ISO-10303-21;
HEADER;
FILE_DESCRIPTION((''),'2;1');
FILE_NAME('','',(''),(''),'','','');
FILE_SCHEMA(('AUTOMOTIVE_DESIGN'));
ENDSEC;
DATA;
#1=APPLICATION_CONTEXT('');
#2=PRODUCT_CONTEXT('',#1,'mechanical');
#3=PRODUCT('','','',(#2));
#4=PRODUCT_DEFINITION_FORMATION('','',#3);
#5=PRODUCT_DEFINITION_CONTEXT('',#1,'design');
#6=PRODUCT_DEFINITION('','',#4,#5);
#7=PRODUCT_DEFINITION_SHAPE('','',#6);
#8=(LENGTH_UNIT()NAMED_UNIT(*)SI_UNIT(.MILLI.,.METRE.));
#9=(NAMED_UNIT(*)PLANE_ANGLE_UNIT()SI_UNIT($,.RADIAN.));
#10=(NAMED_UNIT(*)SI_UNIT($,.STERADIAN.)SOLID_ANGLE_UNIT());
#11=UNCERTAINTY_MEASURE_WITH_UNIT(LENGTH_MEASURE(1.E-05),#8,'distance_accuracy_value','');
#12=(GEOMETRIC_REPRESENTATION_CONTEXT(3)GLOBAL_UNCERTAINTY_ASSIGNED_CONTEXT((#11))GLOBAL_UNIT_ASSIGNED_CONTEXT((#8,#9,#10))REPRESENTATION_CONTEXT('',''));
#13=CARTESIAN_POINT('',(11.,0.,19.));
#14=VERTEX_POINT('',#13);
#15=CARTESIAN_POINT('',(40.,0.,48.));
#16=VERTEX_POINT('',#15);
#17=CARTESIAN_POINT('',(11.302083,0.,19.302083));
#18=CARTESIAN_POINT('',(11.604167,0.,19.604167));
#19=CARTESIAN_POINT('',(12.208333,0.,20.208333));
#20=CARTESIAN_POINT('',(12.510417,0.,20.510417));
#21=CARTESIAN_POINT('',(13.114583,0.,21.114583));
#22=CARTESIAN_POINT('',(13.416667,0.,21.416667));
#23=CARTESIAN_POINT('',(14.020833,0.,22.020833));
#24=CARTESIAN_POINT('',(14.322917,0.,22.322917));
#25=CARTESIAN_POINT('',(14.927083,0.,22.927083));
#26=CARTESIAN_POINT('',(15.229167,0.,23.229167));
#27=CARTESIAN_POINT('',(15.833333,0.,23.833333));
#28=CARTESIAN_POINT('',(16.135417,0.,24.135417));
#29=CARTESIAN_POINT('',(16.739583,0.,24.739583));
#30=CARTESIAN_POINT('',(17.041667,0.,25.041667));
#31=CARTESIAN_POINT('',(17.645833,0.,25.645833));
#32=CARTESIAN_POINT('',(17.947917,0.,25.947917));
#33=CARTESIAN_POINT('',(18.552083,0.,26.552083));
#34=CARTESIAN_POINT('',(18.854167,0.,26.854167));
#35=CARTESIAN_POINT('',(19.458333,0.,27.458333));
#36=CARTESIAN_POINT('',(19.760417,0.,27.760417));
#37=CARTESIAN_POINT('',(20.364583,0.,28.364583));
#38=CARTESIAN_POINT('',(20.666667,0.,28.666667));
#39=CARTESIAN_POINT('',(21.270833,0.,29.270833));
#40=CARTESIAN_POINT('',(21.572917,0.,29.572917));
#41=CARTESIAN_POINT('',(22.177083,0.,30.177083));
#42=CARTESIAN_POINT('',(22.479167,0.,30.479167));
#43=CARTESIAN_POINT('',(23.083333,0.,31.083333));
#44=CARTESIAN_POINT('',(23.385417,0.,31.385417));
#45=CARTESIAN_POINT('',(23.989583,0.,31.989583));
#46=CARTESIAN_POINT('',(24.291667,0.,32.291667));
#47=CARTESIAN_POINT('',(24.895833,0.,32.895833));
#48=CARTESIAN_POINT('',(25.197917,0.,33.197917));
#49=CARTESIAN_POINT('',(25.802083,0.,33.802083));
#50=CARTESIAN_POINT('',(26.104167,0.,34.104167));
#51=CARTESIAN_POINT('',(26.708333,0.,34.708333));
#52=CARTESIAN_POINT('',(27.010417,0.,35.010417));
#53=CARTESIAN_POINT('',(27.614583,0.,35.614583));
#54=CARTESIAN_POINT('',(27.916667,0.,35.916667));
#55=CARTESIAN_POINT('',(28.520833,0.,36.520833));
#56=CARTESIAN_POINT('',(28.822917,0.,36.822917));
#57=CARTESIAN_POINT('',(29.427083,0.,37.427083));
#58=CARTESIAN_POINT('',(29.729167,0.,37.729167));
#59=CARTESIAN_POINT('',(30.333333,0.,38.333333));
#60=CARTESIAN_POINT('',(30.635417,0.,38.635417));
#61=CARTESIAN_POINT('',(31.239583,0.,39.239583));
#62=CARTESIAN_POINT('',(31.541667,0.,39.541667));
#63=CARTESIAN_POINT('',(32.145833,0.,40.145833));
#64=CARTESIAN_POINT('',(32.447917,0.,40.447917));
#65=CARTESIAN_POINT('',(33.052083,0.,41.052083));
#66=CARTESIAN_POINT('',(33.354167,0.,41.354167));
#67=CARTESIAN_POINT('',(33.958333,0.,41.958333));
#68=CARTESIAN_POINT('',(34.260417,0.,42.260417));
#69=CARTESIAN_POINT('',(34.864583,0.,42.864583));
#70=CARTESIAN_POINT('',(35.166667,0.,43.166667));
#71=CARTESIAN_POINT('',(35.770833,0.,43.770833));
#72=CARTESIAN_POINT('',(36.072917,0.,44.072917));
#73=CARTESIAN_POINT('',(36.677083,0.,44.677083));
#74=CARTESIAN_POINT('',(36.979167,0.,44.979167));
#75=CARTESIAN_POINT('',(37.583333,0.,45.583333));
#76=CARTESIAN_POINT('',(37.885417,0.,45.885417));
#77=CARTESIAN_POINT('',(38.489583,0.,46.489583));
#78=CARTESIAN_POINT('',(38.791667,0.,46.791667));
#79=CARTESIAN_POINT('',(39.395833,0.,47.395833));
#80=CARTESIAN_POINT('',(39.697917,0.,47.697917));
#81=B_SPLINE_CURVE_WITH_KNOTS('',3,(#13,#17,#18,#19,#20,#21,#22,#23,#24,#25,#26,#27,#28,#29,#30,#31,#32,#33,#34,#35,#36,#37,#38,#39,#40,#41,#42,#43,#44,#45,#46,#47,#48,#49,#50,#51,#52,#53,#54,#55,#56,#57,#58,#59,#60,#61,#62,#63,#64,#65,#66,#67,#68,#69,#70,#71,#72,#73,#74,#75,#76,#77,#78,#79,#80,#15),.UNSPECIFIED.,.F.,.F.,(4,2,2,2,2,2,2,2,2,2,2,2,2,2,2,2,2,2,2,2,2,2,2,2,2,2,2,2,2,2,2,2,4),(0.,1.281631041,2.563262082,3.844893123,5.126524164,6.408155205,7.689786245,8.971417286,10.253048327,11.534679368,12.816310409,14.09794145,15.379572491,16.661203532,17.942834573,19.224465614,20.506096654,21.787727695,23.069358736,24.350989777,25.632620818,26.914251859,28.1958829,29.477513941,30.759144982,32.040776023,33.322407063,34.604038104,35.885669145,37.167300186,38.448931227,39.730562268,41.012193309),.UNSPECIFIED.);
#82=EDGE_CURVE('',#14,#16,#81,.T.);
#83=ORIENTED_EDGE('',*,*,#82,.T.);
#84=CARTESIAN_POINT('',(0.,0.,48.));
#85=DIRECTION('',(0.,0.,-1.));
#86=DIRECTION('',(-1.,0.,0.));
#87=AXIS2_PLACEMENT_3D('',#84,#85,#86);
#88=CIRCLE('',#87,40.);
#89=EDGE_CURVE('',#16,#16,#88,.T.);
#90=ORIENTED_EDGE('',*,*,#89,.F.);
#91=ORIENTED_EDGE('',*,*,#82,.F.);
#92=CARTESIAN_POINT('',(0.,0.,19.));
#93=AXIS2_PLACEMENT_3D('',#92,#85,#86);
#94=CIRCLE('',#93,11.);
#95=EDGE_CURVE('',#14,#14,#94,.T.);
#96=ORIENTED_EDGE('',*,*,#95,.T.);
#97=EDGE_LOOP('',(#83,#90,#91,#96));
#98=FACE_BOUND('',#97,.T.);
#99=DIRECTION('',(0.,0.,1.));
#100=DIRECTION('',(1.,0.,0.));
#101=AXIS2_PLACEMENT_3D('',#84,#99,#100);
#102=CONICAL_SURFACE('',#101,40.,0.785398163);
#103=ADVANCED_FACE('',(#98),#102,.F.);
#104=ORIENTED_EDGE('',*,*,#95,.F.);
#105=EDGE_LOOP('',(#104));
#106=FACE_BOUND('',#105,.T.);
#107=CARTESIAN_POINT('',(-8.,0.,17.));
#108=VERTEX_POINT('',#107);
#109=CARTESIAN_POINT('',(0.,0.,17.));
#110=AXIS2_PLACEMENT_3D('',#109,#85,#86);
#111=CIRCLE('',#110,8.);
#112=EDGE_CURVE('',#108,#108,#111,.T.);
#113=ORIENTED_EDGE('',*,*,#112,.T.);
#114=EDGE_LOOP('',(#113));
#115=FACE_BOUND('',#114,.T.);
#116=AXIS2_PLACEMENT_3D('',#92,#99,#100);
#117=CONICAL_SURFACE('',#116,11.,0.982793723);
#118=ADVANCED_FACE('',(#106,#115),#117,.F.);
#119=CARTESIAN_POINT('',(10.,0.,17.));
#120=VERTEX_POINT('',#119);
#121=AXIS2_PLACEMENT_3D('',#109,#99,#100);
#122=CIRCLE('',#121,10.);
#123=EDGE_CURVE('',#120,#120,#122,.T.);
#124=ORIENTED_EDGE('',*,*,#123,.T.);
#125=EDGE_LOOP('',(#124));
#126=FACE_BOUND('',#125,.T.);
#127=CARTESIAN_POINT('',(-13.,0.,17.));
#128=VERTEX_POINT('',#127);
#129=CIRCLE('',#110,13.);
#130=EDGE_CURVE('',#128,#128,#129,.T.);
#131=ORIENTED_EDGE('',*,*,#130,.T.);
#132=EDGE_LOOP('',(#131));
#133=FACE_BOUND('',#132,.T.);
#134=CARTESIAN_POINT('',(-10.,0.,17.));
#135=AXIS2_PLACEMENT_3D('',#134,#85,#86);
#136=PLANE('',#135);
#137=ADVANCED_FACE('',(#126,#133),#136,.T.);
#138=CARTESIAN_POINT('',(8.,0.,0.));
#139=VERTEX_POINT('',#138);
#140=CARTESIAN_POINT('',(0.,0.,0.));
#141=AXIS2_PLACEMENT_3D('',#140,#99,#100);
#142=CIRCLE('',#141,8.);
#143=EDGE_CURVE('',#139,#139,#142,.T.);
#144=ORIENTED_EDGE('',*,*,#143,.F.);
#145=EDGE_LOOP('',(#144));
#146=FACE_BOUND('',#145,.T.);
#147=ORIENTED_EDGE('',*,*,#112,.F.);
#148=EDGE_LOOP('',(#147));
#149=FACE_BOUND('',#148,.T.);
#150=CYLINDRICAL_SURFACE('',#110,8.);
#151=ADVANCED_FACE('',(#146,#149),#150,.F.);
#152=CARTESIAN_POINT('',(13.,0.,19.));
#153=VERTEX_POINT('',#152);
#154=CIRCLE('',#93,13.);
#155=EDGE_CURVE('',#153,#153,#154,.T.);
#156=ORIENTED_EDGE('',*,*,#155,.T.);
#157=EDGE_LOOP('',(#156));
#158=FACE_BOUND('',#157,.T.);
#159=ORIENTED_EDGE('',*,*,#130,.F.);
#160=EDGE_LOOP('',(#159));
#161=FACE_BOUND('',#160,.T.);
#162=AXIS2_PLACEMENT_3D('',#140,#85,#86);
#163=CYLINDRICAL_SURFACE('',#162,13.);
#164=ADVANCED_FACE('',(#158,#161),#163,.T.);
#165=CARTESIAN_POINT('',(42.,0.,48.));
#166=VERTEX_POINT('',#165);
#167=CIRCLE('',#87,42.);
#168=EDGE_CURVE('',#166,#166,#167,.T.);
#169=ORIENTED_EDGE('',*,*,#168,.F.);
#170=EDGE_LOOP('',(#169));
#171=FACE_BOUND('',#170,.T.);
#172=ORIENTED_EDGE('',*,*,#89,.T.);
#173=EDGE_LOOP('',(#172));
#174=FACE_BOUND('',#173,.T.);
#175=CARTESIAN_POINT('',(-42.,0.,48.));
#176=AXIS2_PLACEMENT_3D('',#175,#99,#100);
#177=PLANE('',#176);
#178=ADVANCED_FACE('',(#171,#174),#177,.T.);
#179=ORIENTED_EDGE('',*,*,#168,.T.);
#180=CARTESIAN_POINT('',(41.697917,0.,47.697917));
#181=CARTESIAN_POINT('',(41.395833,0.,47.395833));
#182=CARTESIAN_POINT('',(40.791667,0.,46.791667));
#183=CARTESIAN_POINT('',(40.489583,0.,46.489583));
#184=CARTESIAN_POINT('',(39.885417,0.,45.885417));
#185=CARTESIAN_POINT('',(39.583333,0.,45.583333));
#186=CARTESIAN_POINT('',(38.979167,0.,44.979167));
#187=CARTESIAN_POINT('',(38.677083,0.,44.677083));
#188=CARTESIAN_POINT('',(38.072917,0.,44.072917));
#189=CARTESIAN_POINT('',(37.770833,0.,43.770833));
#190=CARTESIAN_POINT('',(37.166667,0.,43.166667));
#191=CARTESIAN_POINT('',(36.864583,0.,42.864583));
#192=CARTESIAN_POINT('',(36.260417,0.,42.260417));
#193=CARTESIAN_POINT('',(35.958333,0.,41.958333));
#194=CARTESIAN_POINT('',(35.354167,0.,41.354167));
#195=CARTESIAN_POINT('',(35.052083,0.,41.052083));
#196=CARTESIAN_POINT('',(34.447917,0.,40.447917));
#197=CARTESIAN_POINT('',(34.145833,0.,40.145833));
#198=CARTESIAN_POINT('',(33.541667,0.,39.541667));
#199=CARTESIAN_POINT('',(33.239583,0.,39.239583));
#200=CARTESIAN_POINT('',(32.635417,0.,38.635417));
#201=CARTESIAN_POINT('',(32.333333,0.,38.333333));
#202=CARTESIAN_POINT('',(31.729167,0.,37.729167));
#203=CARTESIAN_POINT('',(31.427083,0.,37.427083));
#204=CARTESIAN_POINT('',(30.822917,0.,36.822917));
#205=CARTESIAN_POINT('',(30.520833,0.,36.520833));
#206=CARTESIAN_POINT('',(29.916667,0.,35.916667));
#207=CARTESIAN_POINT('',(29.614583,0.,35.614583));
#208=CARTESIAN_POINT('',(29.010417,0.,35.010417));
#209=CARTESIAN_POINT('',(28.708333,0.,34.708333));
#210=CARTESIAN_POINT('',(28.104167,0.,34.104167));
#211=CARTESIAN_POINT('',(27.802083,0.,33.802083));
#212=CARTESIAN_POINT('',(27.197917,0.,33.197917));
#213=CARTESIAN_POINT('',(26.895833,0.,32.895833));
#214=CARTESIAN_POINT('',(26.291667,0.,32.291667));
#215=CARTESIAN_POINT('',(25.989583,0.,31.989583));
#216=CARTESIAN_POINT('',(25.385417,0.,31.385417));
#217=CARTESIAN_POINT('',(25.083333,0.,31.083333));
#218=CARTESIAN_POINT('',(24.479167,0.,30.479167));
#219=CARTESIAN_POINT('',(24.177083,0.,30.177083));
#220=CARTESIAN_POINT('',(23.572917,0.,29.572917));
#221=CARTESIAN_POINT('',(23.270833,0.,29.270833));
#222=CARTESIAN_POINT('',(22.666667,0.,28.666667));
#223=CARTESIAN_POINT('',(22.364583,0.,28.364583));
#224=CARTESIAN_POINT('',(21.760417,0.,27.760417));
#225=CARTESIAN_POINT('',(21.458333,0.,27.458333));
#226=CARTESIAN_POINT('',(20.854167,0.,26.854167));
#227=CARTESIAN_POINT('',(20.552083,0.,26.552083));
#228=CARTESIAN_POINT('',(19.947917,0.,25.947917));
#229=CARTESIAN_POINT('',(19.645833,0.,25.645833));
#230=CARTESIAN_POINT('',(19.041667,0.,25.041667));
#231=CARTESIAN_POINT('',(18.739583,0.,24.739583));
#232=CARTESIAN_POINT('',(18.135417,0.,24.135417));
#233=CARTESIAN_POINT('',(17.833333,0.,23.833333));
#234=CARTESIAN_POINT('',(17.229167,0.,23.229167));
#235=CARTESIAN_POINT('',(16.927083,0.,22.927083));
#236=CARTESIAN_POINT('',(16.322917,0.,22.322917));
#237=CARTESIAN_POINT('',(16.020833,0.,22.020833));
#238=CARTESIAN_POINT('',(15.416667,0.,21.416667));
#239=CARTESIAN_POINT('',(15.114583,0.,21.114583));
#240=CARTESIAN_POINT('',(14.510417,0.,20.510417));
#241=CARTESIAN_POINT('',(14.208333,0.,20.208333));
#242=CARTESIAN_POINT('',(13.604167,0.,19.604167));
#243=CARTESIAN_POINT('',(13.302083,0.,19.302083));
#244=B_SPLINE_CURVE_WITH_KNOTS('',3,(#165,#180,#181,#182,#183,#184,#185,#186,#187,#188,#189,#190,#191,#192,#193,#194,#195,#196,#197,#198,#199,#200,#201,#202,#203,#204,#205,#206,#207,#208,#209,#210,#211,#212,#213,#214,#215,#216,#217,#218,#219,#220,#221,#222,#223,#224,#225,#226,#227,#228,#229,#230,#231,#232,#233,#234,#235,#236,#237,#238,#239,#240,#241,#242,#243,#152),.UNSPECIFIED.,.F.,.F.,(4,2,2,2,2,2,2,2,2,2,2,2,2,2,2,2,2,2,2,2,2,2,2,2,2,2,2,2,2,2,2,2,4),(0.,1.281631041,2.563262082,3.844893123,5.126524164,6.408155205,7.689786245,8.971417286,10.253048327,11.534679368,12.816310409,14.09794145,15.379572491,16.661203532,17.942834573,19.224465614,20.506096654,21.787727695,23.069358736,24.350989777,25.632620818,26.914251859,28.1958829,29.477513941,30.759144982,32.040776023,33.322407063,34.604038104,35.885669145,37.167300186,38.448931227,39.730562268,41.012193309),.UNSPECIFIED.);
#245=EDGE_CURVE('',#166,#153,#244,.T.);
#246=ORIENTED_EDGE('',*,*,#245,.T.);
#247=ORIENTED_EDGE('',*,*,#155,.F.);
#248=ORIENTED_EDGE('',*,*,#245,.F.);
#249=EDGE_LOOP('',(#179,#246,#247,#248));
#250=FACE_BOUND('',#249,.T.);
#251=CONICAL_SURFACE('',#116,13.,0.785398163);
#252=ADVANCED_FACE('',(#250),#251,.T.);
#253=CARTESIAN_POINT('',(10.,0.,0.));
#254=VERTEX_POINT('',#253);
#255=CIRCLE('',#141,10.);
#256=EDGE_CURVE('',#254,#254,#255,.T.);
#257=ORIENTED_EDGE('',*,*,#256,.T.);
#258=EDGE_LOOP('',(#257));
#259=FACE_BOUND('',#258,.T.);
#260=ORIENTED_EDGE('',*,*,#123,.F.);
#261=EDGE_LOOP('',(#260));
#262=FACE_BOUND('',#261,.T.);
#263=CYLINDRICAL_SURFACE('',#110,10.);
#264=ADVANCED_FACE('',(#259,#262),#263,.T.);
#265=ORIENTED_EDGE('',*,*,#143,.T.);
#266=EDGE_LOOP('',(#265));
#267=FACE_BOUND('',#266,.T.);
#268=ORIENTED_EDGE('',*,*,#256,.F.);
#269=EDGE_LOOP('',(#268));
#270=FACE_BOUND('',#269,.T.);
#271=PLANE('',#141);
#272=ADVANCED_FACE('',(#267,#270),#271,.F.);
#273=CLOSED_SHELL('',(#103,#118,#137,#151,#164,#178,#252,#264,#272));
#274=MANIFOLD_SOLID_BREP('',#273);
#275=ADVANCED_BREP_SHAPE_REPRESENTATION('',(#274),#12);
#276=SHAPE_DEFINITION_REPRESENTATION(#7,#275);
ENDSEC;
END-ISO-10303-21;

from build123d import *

# Parameters (mm, degrees)
SKETCH1_R           = 10
SKETCH1_R_2         = 8
BOSS_EXTRUDE1_DEPTH = 17


with BuildPart() as part:
    # Sketch1 → Boss-Extrude1 (new body)
    with BuildSketch(Plane.XY):
        Circle(SKETCH1_R)
        Circle(SKETCH1_R_2, mode=Mode.SUBTRACT)
    extrude(amount=BOSS_EXTRUDE1_DEPTH)

    # Sketch3 → Revolve1 (revolve)
    with BuildSketch(Plane(origin=(0, 0, 0), x_dir=(1, 0, 0), z_dir=(0, 1, 0))):
        Polygon((-10, -17), (-13, -17), (-13, -19), (-11, -19), (-8, -17), align=None)
    revolve(axis=Axis((0, 0, 0), (0, 0, 1)))

    # Sketch5 → Revolve2 (revolve)
    with BuildSketch(Plane(origin=(0, 0, 0), x_dir=(1, 0, 0), z_dir=(0, 1, 0)), mode=Mode.PRIVATE) as revolve2_sk:
        Polygon((-13, -19), (-42, -48), (-40, -48), (-11, -19), align=None)
    revolve(revolve2_sk.sketch.rotate(Axis((0, 0, 0), (0, 0, 1)), 180), axis=Axis((0, 0, 0), (0, 0, 1)))


solid = part.part
